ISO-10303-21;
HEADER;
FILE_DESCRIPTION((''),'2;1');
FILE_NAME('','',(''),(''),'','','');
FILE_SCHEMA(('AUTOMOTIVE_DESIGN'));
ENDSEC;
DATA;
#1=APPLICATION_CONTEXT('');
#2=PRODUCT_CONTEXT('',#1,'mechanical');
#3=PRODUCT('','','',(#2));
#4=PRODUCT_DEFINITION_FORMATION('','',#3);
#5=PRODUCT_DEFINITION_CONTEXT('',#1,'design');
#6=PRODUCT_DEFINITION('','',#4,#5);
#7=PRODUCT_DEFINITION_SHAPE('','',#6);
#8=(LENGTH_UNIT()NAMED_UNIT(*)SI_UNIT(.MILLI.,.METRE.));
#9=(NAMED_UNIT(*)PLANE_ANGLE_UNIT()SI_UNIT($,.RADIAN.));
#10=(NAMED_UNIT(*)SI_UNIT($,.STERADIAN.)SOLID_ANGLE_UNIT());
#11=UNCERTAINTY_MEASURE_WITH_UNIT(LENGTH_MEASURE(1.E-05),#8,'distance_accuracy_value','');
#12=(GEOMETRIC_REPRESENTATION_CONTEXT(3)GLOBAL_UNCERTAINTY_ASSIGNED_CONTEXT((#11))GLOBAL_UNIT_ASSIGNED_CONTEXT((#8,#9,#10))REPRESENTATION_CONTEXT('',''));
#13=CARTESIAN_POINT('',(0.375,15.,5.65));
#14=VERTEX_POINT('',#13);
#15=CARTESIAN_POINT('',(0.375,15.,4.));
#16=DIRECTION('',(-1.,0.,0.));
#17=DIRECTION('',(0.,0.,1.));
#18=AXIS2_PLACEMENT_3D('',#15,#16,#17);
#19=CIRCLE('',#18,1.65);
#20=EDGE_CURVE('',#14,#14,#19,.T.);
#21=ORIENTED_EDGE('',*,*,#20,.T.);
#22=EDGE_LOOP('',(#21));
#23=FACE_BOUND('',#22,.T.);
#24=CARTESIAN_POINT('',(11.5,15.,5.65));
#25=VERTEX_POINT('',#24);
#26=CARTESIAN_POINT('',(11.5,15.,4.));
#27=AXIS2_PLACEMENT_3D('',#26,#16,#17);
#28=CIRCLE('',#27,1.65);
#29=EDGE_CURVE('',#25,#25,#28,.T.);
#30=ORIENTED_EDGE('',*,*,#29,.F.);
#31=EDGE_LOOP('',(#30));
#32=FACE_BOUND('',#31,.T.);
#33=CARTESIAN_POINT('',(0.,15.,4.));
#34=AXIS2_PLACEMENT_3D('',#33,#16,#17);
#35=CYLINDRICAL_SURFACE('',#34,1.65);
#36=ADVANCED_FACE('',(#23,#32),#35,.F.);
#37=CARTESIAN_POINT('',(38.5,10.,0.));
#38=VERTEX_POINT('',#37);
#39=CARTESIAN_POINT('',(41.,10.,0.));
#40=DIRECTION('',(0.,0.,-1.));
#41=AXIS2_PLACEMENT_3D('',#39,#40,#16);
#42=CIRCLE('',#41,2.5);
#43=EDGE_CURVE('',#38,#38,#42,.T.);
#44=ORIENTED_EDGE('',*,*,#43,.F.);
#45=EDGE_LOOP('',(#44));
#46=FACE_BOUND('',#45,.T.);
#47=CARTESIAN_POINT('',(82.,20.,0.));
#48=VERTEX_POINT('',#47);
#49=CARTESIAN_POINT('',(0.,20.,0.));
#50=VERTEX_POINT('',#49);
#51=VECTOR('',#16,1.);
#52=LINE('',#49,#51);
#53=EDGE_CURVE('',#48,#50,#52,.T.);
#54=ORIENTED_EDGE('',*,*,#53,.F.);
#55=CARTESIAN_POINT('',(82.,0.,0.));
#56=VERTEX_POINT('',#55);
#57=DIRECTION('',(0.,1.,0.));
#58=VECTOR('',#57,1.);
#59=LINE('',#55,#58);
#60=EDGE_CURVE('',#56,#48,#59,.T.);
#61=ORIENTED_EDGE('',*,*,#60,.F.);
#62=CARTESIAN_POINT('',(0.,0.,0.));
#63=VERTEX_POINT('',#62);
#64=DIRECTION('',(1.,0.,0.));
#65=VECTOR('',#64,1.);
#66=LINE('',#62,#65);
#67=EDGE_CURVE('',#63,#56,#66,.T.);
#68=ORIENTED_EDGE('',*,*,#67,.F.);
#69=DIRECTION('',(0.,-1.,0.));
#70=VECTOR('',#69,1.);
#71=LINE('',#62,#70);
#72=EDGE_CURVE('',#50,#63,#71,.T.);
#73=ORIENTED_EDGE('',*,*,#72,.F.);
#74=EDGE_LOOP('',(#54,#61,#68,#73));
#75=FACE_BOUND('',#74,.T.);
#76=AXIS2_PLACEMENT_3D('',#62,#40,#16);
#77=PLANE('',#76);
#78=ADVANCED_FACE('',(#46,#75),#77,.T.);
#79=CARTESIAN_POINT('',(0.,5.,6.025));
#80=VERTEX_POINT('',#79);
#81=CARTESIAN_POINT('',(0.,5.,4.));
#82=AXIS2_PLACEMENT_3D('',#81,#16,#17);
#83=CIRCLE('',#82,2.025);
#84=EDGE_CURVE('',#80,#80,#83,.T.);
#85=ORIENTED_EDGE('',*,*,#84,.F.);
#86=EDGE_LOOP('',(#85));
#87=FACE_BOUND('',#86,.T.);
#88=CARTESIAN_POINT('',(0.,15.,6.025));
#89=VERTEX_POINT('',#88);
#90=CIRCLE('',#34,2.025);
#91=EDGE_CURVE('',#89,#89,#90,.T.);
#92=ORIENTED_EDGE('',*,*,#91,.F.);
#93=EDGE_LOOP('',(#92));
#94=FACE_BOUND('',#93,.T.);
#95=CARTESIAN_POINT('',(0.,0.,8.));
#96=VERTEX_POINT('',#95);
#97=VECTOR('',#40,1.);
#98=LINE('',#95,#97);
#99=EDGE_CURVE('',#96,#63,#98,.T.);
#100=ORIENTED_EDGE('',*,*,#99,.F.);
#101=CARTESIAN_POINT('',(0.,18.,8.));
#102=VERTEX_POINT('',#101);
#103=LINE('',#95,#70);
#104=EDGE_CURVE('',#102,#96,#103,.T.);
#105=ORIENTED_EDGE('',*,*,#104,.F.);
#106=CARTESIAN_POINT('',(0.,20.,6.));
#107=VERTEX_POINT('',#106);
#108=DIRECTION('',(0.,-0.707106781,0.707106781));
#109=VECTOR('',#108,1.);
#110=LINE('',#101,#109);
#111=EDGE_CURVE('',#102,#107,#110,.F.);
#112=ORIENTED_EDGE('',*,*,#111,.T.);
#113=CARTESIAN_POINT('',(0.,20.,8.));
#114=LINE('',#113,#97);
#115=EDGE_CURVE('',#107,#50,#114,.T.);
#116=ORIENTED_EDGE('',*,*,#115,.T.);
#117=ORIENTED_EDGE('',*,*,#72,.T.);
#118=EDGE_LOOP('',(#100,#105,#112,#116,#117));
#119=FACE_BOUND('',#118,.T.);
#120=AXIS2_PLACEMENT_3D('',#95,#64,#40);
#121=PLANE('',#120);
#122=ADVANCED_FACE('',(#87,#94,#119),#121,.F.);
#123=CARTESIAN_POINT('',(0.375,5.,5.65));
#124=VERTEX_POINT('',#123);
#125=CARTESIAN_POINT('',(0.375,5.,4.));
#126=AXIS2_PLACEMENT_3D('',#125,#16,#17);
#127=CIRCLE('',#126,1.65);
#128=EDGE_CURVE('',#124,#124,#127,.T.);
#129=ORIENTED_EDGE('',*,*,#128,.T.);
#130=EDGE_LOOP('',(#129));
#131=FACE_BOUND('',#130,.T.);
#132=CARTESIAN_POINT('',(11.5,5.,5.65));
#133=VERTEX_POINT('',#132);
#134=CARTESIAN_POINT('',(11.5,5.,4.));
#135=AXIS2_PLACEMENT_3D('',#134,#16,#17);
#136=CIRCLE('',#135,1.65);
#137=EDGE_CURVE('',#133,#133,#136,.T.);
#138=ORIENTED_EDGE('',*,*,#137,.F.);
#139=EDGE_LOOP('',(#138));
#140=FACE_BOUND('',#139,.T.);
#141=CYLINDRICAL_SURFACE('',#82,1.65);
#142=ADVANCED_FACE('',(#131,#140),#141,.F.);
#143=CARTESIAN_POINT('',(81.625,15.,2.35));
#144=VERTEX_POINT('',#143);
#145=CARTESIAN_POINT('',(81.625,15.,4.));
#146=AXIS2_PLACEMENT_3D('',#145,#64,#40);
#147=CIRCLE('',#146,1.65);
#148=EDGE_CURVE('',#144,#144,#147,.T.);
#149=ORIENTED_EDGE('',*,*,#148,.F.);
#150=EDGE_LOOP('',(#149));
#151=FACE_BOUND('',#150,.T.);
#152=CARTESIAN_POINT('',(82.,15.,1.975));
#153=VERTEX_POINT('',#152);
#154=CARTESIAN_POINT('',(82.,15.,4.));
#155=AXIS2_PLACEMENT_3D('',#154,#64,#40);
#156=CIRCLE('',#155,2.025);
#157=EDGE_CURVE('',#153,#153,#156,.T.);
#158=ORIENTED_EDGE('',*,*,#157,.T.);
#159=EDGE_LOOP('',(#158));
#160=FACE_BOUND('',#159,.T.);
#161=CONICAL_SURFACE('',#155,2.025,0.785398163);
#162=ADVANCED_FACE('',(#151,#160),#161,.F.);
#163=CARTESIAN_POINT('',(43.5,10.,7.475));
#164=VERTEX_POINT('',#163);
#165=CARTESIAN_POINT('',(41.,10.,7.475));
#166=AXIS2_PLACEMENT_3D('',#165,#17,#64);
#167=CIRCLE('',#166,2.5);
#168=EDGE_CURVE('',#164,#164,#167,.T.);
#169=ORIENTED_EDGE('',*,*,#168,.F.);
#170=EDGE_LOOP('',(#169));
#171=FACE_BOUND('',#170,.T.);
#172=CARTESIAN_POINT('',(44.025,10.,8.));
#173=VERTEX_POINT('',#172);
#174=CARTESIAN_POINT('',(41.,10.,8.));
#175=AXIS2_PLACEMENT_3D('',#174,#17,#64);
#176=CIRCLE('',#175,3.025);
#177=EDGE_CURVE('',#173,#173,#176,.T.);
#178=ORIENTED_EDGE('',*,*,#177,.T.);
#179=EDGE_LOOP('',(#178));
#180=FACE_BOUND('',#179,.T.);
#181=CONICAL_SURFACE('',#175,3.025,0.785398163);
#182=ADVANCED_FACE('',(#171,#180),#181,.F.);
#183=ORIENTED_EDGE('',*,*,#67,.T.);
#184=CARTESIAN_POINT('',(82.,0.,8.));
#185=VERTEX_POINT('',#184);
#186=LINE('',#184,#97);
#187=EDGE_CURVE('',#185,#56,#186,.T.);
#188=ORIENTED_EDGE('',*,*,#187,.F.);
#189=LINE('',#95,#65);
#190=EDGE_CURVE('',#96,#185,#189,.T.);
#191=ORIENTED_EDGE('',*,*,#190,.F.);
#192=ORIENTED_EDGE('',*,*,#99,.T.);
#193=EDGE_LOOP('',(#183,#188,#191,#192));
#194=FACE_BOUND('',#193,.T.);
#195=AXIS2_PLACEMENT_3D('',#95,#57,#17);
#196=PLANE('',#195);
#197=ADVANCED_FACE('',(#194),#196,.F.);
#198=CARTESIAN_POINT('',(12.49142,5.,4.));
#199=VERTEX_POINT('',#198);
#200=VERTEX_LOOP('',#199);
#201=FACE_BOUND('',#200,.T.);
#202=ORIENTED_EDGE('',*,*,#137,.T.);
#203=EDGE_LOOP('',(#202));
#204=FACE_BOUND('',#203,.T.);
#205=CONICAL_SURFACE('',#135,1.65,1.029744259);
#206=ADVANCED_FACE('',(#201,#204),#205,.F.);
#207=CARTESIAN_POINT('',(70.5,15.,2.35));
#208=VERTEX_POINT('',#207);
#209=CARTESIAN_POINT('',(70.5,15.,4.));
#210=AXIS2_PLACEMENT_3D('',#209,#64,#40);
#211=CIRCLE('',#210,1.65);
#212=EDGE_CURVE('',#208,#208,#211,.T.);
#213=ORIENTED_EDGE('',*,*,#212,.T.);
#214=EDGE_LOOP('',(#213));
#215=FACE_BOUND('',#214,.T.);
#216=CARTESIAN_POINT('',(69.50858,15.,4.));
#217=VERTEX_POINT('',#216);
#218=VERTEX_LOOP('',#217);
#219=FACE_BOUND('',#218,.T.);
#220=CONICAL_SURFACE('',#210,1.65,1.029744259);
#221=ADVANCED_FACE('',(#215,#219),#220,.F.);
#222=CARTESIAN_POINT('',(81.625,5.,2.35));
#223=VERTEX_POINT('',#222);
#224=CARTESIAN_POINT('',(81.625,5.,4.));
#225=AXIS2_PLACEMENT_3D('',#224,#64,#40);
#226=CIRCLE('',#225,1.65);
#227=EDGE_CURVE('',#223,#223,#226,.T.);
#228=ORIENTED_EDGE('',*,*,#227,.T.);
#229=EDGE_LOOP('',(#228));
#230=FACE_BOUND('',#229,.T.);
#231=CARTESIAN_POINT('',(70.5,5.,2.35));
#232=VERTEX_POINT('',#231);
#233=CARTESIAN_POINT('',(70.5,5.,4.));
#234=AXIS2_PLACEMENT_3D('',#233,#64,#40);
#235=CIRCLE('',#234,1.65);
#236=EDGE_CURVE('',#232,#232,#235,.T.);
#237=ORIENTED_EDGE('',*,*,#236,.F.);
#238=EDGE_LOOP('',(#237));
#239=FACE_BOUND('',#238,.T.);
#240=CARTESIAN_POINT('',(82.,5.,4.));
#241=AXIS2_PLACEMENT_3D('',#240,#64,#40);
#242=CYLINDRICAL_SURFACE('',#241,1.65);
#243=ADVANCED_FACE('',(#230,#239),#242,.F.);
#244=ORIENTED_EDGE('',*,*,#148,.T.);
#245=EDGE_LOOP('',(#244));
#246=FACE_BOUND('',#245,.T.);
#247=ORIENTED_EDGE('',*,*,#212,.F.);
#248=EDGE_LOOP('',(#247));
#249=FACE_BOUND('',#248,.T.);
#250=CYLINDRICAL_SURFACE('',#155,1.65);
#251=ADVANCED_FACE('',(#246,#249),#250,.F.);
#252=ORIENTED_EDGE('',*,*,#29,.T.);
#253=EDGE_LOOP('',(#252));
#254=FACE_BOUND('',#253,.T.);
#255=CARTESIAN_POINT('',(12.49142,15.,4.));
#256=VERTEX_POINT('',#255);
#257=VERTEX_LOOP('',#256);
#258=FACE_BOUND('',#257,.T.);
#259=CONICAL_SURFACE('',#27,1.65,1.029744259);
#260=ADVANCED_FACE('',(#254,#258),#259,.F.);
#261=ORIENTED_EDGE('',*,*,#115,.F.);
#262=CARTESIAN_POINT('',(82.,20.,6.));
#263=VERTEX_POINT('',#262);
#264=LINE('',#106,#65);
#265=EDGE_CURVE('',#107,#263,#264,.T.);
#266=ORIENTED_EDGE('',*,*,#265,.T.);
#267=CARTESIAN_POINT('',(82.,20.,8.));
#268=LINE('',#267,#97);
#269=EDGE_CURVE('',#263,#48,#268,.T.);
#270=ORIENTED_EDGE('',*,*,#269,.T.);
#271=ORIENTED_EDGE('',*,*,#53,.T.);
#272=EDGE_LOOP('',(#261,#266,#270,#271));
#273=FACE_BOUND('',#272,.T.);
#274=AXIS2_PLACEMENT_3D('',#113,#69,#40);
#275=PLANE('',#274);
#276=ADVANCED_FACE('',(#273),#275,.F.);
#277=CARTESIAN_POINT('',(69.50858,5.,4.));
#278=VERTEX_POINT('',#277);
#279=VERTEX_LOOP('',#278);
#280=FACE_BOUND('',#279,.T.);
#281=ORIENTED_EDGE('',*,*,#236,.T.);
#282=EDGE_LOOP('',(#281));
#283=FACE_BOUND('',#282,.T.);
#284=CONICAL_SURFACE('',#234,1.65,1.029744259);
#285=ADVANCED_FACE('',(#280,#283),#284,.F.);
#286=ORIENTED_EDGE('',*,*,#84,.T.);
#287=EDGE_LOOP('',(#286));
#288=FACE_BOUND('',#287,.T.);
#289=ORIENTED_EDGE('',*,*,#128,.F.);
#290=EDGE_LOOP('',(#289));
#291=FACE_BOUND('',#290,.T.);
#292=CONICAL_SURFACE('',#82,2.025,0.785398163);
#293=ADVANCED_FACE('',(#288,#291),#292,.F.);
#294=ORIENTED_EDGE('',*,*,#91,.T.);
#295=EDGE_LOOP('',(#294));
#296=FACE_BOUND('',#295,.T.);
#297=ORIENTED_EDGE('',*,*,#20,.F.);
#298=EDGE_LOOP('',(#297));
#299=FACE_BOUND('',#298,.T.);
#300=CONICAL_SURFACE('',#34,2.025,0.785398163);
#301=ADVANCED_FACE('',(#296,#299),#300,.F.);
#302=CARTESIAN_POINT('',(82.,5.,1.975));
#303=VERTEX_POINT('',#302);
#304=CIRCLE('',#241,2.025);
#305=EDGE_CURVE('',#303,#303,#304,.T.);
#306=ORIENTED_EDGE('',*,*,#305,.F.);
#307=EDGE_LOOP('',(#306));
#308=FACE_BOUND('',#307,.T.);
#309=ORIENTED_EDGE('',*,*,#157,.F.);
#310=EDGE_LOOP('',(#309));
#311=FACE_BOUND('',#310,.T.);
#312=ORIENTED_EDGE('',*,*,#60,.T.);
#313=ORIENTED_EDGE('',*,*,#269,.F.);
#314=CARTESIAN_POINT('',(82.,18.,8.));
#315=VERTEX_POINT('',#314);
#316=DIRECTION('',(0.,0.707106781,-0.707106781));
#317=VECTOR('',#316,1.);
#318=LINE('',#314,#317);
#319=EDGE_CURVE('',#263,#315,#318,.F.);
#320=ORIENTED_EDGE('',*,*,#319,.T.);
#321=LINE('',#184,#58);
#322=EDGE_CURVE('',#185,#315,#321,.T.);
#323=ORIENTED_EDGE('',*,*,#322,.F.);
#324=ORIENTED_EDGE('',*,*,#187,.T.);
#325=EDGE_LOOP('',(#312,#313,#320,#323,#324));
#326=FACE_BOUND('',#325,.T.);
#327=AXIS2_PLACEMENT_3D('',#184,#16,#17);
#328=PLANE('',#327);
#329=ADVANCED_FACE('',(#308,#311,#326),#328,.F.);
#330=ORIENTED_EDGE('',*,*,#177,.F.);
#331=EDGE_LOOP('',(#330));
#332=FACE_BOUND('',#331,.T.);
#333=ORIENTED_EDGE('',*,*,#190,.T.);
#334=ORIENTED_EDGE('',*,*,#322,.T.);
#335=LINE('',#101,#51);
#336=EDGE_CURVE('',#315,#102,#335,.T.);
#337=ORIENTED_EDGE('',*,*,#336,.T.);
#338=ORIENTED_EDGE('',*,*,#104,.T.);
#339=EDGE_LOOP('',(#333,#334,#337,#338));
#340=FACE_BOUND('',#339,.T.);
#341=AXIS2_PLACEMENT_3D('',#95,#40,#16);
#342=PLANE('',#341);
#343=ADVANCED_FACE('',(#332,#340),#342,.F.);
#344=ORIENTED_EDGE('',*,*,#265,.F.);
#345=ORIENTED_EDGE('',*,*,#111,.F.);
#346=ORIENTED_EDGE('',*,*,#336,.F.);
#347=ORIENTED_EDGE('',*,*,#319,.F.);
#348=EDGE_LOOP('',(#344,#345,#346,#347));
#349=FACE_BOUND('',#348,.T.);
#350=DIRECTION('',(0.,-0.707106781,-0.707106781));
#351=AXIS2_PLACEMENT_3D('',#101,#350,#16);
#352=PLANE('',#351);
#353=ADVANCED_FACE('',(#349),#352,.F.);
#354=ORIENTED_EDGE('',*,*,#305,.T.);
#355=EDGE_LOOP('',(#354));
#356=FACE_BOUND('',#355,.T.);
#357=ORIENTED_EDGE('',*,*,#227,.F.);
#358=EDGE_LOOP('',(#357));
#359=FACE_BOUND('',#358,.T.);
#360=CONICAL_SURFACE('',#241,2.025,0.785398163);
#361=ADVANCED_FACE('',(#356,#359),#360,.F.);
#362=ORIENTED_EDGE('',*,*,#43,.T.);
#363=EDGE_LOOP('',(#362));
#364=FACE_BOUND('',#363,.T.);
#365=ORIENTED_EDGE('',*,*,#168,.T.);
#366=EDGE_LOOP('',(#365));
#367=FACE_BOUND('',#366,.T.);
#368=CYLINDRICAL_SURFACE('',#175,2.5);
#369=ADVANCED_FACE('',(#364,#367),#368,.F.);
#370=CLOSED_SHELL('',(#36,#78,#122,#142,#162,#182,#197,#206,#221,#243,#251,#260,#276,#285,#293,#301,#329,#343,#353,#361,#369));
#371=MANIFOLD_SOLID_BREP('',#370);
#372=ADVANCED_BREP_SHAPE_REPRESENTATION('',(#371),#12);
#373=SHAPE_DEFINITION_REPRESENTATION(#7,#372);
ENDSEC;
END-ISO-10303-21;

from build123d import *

# Parameters (mm, degrees)
SKETCH_1_W                   = 82
SKETCH_1_H                   = 20
EXTRUDE_1_DEPTH              = 8
HOLE_WIZARD_M6_1_D           = 5
HOLE_WIZARD_M6_1_CSINK_D     = 6.05
HOLE_WIZARD_M6_1_CSINK_ANGLE = 90
HOLE_WIZARD_M4_1_AT_2_COUNT  = 2
HOLE_WIZARD_M4_1_AT_2_PITCH  = 10
CHAMFER_1_SIZE               = 2


with BuildPart() as part:
    # 스케치1 → 보스-돌출1 (new body)
    with BuildSketch(Plane.XY):
        with Locations((41, 10)):
            Rectangle(SKETCH_1_W, SKETCH_1_H)
    extrude(amount=EXTRUDE_1_DEPTH)

    # M6 나사 구멍1 (through all)
    with Locations(Plane.XY.offset(8)):
        with Locations((41, 10)):
            CounterSinkHole(HOLE_WIZARD_M6_1_D / 2, HOLE_WIZARD_M6_1_CSINK_D / 2, counter_sink_angle=HOLE_WIZARD_M6_1_CSINK_ANGLE)

    # 스케치5 → M4 나사 구멍1 (revolve, cut)
    with BuildSketch(Plane(origin=(0, 15, 4), x_dir=(0, 0, 1), z_dir=(0, 1, 0))):
        Polygon((0, 0), (0, 12.491420021), (1.65, 11.5), (1.65, 0.375), (2.025, 0), align=None)
    hole_wizard_m4_1 = revolve(axis=Axis((-6.35, 15, 4), (1, 0, 0)), mode=Mode.SUBTRACT)

    # M4 나사 구멍1 at 2: M4 나사 구멍1 ×2
    with Locations(*[(0, -i * HOLE_WIZARD_M4_1_AT_2_PITCH, 0) for i in range(1, HOLE_WIZARD_M4_1_AT_2_COUNT)]):
        add(hole_wizard_m4_1, mode=Mode.SUBTRACT)

    # 대칭 복사1: M4 나사 구멍1 across plane
    add(hole_wizard_m4_1.mirror(Plane.ZY.offset(-41)), mode=Mode.SUBTRACT)

    # 대칭 복사1 copy 1 sketch → 대칭 복사1 copy 1 (revolve, cut)
    with BuildSketch(Plane(origin=(82, 5, 4), x_dir=(0, 0, 1), z_dir=(0, 1, 0))):
        Polygon((0, 0), (0, -12.491420021), (1.65, -11.5), (1.65, -0.375), (2.025, 0), align=None)
    revolve(axis=Axis((88.35, 5, 4), (1, 0, 0)), mode=Mode.SUBTRACT)

    # 모따기1
    chamfer_1_edges = [part.edges().sort_by_distance(p)[0] for p in [
        (41, 20, 8),
    ]]
    chamfer(chamfer_1_edges, length=CHAMFER_1_SIZE)


solid = part.part
